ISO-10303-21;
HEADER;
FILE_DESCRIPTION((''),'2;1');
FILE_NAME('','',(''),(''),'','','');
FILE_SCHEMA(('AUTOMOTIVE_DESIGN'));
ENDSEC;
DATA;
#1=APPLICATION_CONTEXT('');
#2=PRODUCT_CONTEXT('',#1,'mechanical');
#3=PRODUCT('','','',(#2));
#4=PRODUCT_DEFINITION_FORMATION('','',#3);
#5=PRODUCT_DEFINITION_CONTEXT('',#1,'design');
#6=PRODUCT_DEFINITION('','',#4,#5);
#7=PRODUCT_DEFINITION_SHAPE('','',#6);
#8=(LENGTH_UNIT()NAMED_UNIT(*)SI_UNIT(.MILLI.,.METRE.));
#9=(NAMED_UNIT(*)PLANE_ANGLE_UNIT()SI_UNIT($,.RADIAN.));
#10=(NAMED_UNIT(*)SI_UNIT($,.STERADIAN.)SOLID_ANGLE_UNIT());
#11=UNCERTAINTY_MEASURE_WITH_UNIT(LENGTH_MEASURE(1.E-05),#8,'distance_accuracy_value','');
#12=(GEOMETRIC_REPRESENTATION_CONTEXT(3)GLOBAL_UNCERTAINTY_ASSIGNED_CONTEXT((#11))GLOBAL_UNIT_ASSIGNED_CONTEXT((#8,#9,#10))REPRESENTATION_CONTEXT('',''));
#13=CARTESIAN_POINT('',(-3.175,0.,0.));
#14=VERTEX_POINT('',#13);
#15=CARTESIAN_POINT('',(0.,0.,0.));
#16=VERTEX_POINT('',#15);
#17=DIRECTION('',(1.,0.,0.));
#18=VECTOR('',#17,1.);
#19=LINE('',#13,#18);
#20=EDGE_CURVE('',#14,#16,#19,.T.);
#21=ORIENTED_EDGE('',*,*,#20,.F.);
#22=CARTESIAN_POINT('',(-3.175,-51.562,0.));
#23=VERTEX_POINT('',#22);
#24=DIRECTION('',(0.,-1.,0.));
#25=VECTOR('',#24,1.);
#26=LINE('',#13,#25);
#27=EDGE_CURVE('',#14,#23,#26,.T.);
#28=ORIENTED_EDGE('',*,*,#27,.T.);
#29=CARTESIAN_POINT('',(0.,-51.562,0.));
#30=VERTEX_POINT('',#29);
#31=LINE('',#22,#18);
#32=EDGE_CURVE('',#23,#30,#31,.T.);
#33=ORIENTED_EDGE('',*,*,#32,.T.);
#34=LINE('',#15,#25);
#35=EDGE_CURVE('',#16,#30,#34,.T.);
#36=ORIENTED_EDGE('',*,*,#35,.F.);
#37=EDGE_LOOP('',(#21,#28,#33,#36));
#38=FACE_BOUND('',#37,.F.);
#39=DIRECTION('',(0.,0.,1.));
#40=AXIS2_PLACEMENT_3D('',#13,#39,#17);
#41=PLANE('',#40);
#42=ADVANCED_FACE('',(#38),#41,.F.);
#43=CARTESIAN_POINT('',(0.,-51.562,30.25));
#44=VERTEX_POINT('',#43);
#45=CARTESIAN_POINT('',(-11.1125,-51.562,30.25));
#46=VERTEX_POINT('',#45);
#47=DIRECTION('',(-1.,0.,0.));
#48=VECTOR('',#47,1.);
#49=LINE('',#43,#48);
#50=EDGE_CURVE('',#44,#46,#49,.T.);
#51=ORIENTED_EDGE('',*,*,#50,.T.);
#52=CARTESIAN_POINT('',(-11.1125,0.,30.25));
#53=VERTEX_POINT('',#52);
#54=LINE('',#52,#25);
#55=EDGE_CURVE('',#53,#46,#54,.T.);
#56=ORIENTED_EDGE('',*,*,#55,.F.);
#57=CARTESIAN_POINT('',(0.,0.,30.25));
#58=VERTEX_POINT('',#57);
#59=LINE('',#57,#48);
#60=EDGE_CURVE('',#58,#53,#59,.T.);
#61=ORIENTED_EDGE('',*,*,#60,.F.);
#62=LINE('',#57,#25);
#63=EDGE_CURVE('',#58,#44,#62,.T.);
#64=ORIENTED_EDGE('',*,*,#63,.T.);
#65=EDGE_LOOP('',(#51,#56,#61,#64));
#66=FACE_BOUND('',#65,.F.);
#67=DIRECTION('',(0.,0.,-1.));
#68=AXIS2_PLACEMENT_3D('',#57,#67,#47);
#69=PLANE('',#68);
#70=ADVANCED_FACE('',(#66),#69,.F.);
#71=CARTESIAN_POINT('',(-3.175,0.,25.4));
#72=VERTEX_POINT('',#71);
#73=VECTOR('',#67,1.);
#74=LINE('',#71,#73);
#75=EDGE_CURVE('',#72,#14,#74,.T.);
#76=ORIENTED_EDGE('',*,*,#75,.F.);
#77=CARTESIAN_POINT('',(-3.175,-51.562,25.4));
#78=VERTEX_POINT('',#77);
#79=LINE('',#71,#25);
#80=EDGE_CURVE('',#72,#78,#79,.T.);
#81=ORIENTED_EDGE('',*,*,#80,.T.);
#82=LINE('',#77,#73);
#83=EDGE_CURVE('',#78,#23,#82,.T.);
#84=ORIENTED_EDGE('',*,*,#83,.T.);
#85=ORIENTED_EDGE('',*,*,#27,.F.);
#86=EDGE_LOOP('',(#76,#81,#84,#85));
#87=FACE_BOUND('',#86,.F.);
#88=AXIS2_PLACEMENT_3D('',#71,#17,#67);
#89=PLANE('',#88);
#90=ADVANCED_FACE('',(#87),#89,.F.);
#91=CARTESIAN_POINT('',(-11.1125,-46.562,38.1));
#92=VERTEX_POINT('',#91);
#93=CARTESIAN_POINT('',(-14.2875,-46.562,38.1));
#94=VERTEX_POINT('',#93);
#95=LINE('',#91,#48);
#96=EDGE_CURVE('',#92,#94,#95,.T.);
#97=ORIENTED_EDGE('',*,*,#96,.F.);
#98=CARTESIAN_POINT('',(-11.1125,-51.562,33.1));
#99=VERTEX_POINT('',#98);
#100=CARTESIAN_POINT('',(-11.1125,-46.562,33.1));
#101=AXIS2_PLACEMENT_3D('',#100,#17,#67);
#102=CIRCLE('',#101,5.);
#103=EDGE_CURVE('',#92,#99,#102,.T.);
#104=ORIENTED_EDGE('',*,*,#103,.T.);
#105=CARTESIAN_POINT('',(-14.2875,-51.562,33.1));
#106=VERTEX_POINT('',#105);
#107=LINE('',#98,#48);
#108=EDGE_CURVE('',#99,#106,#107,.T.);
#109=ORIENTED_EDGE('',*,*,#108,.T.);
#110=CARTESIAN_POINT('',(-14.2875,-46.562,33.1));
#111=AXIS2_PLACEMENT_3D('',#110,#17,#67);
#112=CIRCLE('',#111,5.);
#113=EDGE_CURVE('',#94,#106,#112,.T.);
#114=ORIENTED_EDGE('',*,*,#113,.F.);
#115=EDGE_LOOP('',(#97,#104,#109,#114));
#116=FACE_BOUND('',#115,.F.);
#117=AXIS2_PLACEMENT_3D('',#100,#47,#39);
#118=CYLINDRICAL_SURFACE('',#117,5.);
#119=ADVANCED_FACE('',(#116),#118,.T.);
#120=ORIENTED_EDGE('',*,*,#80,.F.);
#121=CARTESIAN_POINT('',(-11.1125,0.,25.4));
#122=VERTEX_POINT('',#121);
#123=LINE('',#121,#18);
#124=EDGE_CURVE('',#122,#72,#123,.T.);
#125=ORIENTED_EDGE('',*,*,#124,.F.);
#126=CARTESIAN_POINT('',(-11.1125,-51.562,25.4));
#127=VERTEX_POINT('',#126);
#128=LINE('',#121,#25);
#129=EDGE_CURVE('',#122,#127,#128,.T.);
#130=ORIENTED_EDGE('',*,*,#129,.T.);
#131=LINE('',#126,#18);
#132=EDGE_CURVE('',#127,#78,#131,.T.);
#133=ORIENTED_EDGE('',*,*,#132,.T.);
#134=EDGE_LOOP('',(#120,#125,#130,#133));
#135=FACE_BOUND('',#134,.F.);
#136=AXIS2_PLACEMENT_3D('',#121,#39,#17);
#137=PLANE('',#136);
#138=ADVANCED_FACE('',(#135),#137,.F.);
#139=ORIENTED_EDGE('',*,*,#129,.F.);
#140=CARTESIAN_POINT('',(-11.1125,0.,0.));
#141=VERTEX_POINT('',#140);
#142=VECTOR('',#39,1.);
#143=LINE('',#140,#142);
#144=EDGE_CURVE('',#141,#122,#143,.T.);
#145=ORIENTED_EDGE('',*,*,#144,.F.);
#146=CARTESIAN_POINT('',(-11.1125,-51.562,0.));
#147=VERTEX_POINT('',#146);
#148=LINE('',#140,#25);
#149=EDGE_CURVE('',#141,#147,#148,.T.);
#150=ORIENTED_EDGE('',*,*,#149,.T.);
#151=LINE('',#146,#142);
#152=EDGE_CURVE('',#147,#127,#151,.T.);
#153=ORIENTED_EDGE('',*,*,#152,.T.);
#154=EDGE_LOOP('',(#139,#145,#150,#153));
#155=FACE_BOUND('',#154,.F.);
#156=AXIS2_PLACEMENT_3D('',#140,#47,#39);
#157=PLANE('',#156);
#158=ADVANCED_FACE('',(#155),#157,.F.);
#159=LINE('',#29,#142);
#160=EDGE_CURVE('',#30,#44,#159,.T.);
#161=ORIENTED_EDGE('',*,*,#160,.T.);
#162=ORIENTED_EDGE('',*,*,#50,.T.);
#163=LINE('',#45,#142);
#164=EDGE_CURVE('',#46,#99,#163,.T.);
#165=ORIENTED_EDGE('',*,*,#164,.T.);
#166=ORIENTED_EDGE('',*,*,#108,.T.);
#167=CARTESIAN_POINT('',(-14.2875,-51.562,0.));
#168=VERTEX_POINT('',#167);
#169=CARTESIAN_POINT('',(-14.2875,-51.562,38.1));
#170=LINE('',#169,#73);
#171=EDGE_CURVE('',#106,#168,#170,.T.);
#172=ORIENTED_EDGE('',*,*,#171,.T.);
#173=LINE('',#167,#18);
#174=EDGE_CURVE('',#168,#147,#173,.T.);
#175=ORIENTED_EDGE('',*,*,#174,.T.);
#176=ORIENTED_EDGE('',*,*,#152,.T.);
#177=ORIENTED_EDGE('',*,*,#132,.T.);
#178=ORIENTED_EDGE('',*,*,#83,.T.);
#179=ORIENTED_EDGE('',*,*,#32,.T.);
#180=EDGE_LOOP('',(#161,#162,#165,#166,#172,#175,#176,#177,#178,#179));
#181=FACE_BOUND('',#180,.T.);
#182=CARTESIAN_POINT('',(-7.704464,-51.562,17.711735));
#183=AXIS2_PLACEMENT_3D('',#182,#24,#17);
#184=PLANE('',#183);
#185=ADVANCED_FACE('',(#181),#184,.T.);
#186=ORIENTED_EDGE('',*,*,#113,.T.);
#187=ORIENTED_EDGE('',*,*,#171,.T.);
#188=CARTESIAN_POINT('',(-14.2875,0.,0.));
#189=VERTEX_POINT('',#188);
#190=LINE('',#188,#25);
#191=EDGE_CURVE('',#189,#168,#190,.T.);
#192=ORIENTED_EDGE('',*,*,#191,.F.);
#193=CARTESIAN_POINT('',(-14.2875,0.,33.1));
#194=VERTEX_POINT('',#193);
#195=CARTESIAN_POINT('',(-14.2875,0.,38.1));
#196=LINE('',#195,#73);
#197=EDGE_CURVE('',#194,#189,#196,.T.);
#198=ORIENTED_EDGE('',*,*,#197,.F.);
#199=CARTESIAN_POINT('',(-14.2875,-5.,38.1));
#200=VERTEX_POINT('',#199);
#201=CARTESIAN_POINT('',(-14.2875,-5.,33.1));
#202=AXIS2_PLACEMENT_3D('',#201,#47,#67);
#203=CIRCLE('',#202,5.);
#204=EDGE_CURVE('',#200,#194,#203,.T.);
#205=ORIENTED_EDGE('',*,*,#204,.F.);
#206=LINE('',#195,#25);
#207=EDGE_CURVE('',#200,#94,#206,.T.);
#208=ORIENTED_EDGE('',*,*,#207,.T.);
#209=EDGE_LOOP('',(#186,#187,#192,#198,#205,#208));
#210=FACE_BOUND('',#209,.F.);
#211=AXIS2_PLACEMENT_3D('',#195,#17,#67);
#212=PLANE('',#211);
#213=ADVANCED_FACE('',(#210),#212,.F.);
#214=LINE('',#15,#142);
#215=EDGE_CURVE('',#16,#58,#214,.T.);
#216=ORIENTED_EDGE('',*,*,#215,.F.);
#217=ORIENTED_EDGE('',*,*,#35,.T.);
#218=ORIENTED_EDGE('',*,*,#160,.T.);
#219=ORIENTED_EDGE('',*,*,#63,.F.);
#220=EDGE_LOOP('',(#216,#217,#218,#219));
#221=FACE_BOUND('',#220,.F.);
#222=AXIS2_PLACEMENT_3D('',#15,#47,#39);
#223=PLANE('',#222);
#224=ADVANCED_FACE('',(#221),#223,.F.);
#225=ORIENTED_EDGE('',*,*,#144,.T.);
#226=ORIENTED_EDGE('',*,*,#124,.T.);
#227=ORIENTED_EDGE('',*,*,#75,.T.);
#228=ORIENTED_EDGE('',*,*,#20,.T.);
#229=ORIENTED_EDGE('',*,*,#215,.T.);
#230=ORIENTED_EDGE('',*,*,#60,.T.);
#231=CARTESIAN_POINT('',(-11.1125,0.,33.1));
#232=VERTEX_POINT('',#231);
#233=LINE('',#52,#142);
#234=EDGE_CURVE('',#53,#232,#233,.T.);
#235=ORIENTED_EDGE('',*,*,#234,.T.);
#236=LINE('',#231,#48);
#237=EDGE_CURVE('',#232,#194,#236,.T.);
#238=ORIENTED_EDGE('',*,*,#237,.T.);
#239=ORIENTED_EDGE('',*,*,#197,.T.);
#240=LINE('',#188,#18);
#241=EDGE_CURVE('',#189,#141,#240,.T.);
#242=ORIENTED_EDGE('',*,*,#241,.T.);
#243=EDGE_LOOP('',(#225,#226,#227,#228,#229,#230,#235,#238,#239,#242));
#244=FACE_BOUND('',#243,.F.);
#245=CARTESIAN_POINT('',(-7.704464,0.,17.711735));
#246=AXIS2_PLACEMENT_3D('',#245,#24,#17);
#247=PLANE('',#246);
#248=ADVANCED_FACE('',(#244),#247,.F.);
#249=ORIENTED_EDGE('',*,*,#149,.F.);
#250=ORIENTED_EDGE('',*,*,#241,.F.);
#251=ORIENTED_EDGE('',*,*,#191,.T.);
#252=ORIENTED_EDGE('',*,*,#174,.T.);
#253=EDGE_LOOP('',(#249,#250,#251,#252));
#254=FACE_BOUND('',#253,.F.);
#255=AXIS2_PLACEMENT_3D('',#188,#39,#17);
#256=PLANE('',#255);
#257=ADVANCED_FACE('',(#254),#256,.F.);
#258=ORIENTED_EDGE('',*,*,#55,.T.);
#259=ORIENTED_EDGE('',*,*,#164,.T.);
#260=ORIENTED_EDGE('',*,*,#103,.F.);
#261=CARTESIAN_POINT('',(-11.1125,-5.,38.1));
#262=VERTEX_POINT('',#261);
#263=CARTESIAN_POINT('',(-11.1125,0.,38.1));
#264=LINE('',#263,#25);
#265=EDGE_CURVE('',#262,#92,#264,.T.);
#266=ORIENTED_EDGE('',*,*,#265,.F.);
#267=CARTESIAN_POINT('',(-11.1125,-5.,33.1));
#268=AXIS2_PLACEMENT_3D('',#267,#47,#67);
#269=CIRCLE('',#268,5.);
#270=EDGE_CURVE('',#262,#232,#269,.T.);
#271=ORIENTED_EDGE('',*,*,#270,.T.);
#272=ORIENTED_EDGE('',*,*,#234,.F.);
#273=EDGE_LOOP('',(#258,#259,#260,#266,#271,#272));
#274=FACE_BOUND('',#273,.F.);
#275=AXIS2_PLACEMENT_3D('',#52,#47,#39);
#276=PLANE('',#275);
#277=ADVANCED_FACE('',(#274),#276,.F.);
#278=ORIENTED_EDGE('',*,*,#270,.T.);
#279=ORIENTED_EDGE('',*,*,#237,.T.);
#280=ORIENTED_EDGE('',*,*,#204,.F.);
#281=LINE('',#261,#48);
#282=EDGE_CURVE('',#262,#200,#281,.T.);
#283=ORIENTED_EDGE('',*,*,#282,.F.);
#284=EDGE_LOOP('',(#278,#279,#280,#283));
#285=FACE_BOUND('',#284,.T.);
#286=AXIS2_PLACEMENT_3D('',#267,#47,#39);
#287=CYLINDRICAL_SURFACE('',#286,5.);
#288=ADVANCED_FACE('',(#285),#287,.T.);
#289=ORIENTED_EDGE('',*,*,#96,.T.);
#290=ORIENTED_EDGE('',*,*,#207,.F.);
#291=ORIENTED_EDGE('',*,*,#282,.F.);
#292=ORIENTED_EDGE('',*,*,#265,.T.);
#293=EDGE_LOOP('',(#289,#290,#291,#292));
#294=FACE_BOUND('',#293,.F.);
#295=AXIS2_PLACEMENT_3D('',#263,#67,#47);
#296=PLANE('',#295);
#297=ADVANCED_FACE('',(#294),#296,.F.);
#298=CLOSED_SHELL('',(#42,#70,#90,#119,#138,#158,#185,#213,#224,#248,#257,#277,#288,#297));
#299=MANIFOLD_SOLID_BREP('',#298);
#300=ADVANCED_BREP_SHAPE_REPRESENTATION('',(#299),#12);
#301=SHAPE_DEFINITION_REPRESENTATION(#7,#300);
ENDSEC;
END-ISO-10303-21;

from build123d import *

# Parameters (mm, degrees)
F1_DEPTH = 51.562
F2_R     = 5


with BuildPart() as f1:
    # F0 (on Front) → F1 (new body)
    with BuildSketch(Plane.XZ):
        Polygon((-3.175, 0), (0, 0), (0, 30.25), (-3.97002, 30.25), (-11.1125, 30.25), (-11.1125, 38.1), (-14.2875, 38.1), (-14.2875, 0), (-11.1125, 0), (-11.1125, 25.4), (-3.175, 25.4), align=None)
    extrude(amount=F1_DEPTH)

    # F2
    f2_edges = [f1.edges().sort_by_distance(p)[0] for p in [
        (-12.7, -51.562, 38.1),
        (-12.7, 0, 38.1),
    ]]
    fillet(f2_edges, radius=F2_R)


solid = f1.part
